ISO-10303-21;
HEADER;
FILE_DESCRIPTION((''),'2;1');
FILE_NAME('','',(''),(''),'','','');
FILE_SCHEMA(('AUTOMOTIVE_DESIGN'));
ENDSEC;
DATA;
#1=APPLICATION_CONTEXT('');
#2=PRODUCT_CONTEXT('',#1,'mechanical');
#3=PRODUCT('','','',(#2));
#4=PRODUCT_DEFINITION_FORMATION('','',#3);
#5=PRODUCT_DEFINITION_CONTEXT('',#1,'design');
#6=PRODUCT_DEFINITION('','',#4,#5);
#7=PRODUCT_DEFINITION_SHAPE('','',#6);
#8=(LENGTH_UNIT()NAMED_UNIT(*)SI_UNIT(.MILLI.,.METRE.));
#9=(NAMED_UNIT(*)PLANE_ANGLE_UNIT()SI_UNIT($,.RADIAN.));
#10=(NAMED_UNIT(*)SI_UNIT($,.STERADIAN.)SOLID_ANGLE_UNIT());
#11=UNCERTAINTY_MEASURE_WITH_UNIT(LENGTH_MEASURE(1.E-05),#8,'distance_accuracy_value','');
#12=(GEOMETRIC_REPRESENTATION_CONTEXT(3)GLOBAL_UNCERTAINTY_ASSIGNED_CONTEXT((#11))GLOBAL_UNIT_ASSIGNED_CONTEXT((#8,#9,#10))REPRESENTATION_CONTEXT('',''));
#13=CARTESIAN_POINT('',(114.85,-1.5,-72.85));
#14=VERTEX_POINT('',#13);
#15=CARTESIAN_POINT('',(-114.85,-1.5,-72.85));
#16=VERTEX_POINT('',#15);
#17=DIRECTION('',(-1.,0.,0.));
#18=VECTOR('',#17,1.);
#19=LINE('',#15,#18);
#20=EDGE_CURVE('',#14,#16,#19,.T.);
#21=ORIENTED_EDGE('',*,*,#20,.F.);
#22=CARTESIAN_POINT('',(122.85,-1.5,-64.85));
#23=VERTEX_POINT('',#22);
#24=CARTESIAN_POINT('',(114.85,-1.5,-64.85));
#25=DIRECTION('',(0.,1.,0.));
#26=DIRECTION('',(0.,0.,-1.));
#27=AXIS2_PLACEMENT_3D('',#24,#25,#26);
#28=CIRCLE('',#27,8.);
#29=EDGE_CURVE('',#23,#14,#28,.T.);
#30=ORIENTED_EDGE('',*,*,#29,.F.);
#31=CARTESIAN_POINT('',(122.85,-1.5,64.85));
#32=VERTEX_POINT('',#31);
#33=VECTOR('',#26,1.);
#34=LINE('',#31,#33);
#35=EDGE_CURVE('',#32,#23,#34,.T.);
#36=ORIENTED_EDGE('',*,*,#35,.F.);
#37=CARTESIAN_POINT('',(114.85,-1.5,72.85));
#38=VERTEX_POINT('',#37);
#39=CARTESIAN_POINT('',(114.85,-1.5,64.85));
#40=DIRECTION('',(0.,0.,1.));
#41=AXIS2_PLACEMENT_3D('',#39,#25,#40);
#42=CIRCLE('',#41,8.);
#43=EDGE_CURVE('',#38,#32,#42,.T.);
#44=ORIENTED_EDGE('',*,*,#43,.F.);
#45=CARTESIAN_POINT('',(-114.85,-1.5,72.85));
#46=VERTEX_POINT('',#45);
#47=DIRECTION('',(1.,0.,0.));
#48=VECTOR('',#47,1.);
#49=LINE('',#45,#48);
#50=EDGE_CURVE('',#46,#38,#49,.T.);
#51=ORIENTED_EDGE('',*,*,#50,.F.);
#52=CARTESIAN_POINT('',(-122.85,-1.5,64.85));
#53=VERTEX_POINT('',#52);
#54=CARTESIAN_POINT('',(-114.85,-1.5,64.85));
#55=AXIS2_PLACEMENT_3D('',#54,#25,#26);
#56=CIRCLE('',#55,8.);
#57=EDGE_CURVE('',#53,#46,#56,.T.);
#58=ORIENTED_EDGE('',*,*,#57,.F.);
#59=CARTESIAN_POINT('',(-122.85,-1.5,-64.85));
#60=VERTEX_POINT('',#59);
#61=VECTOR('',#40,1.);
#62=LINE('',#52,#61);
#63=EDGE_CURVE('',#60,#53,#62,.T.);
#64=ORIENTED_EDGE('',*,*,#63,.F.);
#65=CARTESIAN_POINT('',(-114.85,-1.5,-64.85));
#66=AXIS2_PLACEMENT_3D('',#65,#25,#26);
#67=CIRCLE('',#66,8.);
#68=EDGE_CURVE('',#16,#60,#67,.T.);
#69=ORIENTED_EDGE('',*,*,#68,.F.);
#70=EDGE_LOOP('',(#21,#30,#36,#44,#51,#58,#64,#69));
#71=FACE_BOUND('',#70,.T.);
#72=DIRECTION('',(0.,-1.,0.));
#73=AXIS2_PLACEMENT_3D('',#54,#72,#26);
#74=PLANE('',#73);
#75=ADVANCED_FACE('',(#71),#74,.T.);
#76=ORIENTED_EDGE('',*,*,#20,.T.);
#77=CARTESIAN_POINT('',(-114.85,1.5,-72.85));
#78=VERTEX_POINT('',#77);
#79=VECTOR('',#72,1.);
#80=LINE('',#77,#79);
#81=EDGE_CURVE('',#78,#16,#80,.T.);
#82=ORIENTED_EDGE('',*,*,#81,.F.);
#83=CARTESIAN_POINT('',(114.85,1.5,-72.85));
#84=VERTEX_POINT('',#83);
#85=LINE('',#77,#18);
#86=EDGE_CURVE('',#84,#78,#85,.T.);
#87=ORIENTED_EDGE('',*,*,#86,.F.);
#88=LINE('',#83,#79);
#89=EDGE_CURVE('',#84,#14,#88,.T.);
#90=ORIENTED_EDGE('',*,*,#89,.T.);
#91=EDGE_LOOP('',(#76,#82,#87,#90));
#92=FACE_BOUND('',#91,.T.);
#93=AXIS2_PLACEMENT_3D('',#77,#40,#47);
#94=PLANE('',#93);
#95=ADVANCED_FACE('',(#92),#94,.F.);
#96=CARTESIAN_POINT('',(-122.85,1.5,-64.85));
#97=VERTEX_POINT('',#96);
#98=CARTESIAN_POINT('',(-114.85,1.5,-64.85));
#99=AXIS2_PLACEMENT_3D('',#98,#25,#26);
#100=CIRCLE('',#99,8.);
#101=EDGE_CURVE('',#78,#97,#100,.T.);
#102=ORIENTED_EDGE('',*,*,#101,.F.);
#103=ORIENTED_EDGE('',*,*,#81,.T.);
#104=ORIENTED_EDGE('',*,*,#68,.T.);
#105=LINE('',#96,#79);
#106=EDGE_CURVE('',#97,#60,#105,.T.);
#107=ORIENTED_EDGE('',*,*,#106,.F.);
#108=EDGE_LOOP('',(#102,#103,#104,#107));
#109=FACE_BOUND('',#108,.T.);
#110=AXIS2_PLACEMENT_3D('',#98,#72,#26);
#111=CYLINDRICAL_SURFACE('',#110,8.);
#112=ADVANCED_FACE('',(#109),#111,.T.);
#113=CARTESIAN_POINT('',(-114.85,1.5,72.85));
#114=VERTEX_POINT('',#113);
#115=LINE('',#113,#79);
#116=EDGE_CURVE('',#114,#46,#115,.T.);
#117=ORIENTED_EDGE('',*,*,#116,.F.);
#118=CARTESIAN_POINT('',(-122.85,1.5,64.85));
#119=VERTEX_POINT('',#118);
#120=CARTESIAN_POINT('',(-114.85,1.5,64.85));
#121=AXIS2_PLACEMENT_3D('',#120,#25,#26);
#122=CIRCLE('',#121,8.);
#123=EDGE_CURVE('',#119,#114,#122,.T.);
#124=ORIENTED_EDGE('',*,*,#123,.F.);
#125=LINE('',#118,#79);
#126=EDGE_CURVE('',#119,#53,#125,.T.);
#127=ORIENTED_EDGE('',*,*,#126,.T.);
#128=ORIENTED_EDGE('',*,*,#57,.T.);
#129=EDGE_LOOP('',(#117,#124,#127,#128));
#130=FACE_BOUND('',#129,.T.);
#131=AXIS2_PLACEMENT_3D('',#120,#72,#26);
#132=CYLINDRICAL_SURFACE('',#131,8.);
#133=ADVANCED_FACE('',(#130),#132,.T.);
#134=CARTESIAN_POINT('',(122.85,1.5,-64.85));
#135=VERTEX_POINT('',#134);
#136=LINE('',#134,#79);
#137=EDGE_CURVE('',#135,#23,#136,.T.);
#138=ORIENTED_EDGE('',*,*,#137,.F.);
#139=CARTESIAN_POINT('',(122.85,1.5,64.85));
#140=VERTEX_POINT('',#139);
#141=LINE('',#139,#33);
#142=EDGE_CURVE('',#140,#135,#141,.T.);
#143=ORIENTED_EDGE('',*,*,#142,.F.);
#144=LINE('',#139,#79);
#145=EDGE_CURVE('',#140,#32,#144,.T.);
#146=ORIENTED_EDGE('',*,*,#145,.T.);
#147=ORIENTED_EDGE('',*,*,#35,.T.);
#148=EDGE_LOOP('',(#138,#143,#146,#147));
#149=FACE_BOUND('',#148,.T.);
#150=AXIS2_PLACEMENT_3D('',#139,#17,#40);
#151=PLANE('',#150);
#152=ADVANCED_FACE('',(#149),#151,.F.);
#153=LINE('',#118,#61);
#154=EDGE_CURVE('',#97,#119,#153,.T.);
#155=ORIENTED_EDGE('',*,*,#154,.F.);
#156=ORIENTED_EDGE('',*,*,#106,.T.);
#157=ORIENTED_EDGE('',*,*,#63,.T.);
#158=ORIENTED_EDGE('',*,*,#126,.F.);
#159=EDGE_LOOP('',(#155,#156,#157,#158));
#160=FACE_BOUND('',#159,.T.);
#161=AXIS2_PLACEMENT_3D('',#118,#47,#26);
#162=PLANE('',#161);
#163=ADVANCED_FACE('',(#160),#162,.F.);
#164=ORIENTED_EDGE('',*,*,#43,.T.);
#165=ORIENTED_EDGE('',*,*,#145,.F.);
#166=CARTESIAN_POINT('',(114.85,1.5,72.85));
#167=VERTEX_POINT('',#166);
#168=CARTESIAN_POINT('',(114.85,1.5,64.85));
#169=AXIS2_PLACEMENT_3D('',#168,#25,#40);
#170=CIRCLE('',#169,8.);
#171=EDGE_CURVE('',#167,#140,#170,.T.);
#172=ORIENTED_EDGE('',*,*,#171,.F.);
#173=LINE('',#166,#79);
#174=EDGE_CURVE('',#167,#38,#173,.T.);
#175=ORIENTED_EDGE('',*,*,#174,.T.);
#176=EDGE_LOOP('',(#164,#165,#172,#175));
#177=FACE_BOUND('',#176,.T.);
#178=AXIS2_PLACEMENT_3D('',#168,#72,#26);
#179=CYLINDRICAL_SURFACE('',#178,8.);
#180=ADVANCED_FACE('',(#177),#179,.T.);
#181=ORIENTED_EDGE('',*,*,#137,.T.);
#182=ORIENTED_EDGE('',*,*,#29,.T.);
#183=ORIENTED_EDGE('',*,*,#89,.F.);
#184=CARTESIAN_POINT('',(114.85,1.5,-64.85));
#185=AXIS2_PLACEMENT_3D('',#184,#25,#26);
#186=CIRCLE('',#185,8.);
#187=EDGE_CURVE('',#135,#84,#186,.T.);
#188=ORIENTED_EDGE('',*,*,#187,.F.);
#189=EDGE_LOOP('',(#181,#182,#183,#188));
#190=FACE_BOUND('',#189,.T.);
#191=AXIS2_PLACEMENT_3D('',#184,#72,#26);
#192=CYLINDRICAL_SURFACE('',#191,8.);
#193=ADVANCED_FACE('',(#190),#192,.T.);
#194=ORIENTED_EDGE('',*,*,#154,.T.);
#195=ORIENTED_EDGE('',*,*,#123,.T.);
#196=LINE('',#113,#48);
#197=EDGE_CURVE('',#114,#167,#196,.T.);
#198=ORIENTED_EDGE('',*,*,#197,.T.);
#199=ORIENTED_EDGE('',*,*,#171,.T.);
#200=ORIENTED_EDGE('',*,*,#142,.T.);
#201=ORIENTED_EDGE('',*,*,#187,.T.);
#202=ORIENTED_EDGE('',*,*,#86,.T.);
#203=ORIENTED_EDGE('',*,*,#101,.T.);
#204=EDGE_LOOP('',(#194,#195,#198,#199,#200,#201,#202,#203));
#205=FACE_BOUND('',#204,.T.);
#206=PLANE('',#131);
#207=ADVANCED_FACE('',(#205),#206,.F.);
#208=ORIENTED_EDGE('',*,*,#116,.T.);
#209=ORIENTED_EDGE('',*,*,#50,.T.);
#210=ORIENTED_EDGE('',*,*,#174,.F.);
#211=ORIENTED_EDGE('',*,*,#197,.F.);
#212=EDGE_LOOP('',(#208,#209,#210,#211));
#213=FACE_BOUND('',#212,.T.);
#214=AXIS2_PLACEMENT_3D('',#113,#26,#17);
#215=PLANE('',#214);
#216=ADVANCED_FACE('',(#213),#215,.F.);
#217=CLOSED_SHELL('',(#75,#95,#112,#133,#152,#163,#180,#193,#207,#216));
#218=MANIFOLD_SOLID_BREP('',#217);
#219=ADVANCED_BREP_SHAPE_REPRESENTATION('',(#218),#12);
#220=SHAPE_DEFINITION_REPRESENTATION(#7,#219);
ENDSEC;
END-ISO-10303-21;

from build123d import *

# Parameters (mm, degrees)
SALIENTE_EXTRUIR1_DEPTH = 1.5


with BuildPart() as part:
    # Croquis1 → Saliente-Extruir1 (new, symmetric)
    with BuildSketch(Plane(origin=(0, 0, 0), x_dir=(1, 0, 0), z_dir=(0, 1, 0))):
        with BuildLine():
            Line((-114.85, -72.85), (114.85, -72.85))
            ThreePointArc((114.85, -72.85), (120.506854249, -70.506854249), (122.85, -64.85))
            Line((122.85, -64.85), (122.85, 64.85))
            ThreePointArc((122.85, 64.85), (120.506854249, 70.506854249), (114.85, 72.85))
            Line((114.85, 72.85), (-114.85, 72.85))
            ThreePointArc((-114.85, 72.85), (-120.506854249, 70.506854249), (-122.85, 64.85))
            Line((-122.85, 64.85), (-122.85, -64.85))
            ThreePointArc((-122.85, -64.85), (-120.506854249, -70.506854249), (-114.85, -72.85))
        make_face()
    extrude(amount=SALIENTE_EXTRUIR1_DEPTH, both=True)


solid = part.part
